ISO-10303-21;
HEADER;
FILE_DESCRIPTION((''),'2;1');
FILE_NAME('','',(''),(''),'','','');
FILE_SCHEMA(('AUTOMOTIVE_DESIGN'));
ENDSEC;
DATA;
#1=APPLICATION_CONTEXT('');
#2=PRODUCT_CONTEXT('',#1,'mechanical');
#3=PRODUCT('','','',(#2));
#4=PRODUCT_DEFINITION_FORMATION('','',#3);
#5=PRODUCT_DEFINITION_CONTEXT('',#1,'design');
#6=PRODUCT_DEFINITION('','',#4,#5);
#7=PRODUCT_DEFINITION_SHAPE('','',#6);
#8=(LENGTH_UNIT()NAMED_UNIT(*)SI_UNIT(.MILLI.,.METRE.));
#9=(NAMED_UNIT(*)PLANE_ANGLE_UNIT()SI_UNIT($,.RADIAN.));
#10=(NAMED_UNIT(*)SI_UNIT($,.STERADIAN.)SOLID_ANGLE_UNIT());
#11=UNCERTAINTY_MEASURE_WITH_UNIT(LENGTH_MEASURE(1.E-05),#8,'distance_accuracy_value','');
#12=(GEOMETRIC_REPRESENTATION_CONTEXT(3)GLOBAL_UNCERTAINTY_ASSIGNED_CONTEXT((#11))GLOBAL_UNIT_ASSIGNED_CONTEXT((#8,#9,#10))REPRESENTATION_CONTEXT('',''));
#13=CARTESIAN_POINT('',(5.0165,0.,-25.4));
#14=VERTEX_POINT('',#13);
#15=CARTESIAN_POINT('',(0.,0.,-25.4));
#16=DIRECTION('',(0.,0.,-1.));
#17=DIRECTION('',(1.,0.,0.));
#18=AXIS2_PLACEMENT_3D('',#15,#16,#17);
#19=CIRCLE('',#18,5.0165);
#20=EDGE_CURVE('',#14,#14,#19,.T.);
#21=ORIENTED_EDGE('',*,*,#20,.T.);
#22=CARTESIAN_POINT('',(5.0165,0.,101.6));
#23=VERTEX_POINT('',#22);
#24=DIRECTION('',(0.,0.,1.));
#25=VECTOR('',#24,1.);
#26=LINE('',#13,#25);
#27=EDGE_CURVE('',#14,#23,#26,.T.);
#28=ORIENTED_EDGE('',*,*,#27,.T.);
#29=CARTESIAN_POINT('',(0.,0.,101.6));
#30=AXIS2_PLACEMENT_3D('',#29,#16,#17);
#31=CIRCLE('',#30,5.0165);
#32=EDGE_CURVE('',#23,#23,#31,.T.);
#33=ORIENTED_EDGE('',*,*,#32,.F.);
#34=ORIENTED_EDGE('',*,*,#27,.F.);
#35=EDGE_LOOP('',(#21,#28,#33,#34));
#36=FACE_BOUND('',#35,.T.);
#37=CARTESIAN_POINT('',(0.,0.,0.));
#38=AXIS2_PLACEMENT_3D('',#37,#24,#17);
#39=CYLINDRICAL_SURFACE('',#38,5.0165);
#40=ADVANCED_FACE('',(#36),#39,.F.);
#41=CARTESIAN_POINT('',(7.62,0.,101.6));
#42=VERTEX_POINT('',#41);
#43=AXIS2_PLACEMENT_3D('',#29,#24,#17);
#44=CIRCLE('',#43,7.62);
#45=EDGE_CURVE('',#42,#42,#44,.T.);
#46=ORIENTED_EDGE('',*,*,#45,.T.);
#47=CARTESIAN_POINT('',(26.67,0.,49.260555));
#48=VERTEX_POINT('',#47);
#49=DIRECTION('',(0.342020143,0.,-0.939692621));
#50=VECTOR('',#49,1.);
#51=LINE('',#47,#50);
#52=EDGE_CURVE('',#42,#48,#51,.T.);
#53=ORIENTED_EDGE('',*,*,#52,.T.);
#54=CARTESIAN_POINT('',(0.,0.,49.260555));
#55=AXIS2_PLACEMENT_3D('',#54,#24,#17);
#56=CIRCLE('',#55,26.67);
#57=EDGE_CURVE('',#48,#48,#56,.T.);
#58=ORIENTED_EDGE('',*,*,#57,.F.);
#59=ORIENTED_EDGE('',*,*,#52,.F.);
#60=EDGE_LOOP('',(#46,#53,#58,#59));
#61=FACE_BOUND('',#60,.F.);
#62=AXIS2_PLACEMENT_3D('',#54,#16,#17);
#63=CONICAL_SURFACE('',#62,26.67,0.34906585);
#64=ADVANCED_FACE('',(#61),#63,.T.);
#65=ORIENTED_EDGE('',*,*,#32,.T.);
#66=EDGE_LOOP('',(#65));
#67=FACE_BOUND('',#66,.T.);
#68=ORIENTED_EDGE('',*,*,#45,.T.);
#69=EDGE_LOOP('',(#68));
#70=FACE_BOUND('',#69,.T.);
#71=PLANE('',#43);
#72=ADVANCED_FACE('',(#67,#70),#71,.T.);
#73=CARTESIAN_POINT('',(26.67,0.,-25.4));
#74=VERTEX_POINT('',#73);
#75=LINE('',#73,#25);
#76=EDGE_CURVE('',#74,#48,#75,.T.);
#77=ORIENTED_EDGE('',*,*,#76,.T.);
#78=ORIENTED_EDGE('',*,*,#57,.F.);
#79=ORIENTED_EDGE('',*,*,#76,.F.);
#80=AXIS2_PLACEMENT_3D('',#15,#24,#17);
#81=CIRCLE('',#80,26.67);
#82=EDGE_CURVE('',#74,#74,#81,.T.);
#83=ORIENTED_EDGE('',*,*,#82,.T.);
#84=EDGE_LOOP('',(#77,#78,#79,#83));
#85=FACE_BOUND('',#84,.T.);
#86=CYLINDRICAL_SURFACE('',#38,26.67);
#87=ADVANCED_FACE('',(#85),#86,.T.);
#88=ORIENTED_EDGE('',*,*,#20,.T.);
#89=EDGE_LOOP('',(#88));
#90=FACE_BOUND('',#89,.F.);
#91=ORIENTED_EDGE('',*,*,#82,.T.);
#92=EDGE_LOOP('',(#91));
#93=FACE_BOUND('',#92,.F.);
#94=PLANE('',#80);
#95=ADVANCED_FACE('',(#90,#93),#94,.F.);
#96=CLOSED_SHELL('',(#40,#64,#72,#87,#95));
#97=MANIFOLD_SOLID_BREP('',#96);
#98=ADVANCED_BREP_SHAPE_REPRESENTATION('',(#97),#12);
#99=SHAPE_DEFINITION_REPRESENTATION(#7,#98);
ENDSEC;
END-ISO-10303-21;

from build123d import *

# Parameters (mm, degrees)
F0_R     = 26.67
F1_DEPTH = 101.6
F2_SIZE2 = 52.3394448406
F2_SIZE  = 19.05
F3_R     = 5.0165
F4_DEPTH = 101.6
F5_DEPTH = 25.4


with BuildPart() as f1:
    # F0 (on Top) → F1 (new body)
    with BuildSketch(Plane.XY):
        Circle(F0_R)
    extrude(amount=F1_DEPTH)

    # F2
    f2_edges = [f1.edges().sort_by_distance(p)[0] for p in [
        (-26.67, 0, 101.6),
    ]]
    f2_side = f1.faces().sort_by_distance((0, 0, 101.6))[0]
    chamfer(f2_edges, length=F2_SIZE, length2=F2_SIZE2, reference=f2_side)

    # F3 (on face) → F4 (cut)
    with BuildSketch(Plane(origin=(0, 0, 0), x_dir=(1, 0, 0), z_dir=(0, 0, -1))):
        Circle(F3_R)
    extrude(amount=-F4_DEPTH, mode=Mode.SUBTRACT)

    # F5 (add): a face of the model
    f5_faces = [f1.faces().sort_by_distance(p)[0] for p in [
        (-25.9156584858, 0, 0),
    ]]
    extrude(f5_faces, amount=F5_DEPTH)


solid = f1.part
